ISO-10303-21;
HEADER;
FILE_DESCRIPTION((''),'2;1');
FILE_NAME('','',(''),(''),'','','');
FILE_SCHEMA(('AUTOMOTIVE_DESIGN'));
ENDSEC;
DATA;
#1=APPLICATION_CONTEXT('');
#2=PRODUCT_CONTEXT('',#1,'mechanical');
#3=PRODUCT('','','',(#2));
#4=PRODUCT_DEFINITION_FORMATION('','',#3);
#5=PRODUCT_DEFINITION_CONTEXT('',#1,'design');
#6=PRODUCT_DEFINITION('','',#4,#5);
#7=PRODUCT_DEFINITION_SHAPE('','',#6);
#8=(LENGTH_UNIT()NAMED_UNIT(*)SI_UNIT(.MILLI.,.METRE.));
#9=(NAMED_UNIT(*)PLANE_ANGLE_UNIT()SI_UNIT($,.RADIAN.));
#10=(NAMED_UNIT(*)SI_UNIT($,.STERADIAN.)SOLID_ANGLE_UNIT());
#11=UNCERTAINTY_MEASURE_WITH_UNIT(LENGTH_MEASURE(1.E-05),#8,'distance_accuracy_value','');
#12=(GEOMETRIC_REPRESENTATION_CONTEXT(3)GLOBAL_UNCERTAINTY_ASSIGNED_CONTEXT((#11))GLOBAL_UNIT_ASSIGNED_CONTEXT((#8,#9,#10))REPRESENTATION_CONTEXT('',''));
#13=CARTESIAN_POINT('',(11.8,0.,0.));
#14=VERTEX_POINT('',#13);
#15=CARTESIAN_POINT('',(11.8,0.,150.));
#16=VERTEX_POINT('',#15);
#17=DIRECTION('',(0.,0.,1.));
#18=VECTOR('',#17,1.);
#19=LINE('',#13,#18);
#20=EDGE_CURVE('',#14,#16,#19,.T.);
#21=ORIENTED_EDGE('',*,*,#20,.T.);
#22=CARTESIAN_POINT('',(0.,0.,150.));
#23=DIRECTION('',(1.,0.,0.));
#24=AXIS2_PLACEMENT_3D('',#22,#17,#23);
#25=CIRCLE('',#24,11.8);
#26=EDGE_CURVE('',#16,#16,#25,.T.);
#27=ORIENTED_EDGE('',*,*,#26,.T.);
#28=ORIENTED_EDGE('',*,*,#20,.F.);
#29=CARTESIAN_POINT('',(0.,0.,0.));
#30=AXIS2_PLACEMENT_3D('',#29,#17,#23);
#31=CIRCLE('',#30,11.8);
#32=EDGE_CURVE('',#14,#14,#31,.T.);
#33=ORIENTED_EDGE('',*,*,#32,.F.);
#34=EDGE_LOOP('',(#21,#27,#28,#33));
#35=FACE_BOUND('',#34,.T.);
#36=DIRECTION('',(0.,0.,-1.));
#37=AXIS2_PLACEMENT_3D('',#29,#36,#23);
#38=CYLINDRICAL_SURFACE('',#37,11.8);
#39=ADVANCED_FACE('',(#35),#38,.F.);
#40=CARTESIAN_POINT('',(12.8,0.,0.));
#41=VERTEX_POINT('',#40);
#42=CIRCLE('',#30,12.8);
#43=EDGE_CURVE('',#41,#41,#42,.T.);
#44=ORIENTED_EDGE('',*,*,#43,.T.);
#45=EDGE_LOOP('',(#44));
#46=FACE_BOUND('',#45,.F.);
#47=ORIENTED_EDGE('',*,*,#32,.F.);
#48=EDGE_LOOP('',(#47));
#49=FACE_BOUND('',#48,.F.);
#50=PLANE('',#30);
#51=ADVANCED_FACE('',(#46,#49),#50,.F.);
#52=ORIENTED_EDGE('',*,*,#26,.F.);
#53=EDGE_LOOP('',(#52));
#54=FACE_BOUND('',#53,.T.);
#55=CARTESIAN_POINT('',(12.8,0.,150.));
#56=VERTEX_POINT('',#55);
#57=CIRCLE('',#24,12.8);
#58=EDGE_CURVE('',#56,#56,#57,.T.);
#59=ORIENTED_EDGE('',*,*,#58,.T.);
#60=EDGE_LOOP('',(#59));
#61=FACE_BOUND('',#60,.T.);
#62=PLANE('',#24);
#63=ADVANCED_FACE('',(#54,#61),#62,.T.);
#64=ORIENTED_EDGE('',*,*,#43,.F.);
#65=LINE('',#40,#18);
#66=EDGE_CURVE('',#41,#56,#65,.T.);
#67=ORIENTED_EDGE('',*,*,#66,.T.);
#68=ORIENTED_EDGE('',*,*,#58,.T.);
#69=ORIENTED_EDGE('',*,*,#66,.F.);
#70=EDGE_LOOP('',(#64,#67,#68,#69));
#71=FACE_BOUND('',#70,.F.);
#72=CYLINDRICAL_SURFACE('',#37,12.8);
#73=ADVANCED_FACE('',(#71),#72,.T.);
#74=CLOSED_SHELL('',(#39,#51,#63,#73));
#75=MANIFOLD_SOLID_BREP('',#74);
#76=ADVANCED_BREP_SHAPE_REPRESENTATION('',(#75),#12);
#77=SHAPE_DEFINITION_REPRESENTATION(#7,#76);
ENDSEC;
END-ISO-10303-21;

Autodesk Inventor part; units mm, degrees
ref_plane "YZ Plane" through (0, 0, 0) normal (1, 0, 0) x (0, 1, 0)
ref_plane "XZ Plane" through (0, 0, 0) normal (0, 1, 0) x (-1, 0, 0)
ref_plane "XY Plane" through (0, 0, 0) normal (0, 0, 1) x (1, 0, 0)
sketch "Эскиз1" plane through (0, 0, 0) normal (0, 0, 1) x (1, 0, 0)
  circle A0 centre (0, 0) radius 12.8
  circle A1 centre (0, 0) radius 11.8
  dimension "d0" = 25.6
  dimension "d1" = 23.6
extrude "Выдавливание1" add sketch "Эскиз1" along normal blind 150
properties part number "Труба"
